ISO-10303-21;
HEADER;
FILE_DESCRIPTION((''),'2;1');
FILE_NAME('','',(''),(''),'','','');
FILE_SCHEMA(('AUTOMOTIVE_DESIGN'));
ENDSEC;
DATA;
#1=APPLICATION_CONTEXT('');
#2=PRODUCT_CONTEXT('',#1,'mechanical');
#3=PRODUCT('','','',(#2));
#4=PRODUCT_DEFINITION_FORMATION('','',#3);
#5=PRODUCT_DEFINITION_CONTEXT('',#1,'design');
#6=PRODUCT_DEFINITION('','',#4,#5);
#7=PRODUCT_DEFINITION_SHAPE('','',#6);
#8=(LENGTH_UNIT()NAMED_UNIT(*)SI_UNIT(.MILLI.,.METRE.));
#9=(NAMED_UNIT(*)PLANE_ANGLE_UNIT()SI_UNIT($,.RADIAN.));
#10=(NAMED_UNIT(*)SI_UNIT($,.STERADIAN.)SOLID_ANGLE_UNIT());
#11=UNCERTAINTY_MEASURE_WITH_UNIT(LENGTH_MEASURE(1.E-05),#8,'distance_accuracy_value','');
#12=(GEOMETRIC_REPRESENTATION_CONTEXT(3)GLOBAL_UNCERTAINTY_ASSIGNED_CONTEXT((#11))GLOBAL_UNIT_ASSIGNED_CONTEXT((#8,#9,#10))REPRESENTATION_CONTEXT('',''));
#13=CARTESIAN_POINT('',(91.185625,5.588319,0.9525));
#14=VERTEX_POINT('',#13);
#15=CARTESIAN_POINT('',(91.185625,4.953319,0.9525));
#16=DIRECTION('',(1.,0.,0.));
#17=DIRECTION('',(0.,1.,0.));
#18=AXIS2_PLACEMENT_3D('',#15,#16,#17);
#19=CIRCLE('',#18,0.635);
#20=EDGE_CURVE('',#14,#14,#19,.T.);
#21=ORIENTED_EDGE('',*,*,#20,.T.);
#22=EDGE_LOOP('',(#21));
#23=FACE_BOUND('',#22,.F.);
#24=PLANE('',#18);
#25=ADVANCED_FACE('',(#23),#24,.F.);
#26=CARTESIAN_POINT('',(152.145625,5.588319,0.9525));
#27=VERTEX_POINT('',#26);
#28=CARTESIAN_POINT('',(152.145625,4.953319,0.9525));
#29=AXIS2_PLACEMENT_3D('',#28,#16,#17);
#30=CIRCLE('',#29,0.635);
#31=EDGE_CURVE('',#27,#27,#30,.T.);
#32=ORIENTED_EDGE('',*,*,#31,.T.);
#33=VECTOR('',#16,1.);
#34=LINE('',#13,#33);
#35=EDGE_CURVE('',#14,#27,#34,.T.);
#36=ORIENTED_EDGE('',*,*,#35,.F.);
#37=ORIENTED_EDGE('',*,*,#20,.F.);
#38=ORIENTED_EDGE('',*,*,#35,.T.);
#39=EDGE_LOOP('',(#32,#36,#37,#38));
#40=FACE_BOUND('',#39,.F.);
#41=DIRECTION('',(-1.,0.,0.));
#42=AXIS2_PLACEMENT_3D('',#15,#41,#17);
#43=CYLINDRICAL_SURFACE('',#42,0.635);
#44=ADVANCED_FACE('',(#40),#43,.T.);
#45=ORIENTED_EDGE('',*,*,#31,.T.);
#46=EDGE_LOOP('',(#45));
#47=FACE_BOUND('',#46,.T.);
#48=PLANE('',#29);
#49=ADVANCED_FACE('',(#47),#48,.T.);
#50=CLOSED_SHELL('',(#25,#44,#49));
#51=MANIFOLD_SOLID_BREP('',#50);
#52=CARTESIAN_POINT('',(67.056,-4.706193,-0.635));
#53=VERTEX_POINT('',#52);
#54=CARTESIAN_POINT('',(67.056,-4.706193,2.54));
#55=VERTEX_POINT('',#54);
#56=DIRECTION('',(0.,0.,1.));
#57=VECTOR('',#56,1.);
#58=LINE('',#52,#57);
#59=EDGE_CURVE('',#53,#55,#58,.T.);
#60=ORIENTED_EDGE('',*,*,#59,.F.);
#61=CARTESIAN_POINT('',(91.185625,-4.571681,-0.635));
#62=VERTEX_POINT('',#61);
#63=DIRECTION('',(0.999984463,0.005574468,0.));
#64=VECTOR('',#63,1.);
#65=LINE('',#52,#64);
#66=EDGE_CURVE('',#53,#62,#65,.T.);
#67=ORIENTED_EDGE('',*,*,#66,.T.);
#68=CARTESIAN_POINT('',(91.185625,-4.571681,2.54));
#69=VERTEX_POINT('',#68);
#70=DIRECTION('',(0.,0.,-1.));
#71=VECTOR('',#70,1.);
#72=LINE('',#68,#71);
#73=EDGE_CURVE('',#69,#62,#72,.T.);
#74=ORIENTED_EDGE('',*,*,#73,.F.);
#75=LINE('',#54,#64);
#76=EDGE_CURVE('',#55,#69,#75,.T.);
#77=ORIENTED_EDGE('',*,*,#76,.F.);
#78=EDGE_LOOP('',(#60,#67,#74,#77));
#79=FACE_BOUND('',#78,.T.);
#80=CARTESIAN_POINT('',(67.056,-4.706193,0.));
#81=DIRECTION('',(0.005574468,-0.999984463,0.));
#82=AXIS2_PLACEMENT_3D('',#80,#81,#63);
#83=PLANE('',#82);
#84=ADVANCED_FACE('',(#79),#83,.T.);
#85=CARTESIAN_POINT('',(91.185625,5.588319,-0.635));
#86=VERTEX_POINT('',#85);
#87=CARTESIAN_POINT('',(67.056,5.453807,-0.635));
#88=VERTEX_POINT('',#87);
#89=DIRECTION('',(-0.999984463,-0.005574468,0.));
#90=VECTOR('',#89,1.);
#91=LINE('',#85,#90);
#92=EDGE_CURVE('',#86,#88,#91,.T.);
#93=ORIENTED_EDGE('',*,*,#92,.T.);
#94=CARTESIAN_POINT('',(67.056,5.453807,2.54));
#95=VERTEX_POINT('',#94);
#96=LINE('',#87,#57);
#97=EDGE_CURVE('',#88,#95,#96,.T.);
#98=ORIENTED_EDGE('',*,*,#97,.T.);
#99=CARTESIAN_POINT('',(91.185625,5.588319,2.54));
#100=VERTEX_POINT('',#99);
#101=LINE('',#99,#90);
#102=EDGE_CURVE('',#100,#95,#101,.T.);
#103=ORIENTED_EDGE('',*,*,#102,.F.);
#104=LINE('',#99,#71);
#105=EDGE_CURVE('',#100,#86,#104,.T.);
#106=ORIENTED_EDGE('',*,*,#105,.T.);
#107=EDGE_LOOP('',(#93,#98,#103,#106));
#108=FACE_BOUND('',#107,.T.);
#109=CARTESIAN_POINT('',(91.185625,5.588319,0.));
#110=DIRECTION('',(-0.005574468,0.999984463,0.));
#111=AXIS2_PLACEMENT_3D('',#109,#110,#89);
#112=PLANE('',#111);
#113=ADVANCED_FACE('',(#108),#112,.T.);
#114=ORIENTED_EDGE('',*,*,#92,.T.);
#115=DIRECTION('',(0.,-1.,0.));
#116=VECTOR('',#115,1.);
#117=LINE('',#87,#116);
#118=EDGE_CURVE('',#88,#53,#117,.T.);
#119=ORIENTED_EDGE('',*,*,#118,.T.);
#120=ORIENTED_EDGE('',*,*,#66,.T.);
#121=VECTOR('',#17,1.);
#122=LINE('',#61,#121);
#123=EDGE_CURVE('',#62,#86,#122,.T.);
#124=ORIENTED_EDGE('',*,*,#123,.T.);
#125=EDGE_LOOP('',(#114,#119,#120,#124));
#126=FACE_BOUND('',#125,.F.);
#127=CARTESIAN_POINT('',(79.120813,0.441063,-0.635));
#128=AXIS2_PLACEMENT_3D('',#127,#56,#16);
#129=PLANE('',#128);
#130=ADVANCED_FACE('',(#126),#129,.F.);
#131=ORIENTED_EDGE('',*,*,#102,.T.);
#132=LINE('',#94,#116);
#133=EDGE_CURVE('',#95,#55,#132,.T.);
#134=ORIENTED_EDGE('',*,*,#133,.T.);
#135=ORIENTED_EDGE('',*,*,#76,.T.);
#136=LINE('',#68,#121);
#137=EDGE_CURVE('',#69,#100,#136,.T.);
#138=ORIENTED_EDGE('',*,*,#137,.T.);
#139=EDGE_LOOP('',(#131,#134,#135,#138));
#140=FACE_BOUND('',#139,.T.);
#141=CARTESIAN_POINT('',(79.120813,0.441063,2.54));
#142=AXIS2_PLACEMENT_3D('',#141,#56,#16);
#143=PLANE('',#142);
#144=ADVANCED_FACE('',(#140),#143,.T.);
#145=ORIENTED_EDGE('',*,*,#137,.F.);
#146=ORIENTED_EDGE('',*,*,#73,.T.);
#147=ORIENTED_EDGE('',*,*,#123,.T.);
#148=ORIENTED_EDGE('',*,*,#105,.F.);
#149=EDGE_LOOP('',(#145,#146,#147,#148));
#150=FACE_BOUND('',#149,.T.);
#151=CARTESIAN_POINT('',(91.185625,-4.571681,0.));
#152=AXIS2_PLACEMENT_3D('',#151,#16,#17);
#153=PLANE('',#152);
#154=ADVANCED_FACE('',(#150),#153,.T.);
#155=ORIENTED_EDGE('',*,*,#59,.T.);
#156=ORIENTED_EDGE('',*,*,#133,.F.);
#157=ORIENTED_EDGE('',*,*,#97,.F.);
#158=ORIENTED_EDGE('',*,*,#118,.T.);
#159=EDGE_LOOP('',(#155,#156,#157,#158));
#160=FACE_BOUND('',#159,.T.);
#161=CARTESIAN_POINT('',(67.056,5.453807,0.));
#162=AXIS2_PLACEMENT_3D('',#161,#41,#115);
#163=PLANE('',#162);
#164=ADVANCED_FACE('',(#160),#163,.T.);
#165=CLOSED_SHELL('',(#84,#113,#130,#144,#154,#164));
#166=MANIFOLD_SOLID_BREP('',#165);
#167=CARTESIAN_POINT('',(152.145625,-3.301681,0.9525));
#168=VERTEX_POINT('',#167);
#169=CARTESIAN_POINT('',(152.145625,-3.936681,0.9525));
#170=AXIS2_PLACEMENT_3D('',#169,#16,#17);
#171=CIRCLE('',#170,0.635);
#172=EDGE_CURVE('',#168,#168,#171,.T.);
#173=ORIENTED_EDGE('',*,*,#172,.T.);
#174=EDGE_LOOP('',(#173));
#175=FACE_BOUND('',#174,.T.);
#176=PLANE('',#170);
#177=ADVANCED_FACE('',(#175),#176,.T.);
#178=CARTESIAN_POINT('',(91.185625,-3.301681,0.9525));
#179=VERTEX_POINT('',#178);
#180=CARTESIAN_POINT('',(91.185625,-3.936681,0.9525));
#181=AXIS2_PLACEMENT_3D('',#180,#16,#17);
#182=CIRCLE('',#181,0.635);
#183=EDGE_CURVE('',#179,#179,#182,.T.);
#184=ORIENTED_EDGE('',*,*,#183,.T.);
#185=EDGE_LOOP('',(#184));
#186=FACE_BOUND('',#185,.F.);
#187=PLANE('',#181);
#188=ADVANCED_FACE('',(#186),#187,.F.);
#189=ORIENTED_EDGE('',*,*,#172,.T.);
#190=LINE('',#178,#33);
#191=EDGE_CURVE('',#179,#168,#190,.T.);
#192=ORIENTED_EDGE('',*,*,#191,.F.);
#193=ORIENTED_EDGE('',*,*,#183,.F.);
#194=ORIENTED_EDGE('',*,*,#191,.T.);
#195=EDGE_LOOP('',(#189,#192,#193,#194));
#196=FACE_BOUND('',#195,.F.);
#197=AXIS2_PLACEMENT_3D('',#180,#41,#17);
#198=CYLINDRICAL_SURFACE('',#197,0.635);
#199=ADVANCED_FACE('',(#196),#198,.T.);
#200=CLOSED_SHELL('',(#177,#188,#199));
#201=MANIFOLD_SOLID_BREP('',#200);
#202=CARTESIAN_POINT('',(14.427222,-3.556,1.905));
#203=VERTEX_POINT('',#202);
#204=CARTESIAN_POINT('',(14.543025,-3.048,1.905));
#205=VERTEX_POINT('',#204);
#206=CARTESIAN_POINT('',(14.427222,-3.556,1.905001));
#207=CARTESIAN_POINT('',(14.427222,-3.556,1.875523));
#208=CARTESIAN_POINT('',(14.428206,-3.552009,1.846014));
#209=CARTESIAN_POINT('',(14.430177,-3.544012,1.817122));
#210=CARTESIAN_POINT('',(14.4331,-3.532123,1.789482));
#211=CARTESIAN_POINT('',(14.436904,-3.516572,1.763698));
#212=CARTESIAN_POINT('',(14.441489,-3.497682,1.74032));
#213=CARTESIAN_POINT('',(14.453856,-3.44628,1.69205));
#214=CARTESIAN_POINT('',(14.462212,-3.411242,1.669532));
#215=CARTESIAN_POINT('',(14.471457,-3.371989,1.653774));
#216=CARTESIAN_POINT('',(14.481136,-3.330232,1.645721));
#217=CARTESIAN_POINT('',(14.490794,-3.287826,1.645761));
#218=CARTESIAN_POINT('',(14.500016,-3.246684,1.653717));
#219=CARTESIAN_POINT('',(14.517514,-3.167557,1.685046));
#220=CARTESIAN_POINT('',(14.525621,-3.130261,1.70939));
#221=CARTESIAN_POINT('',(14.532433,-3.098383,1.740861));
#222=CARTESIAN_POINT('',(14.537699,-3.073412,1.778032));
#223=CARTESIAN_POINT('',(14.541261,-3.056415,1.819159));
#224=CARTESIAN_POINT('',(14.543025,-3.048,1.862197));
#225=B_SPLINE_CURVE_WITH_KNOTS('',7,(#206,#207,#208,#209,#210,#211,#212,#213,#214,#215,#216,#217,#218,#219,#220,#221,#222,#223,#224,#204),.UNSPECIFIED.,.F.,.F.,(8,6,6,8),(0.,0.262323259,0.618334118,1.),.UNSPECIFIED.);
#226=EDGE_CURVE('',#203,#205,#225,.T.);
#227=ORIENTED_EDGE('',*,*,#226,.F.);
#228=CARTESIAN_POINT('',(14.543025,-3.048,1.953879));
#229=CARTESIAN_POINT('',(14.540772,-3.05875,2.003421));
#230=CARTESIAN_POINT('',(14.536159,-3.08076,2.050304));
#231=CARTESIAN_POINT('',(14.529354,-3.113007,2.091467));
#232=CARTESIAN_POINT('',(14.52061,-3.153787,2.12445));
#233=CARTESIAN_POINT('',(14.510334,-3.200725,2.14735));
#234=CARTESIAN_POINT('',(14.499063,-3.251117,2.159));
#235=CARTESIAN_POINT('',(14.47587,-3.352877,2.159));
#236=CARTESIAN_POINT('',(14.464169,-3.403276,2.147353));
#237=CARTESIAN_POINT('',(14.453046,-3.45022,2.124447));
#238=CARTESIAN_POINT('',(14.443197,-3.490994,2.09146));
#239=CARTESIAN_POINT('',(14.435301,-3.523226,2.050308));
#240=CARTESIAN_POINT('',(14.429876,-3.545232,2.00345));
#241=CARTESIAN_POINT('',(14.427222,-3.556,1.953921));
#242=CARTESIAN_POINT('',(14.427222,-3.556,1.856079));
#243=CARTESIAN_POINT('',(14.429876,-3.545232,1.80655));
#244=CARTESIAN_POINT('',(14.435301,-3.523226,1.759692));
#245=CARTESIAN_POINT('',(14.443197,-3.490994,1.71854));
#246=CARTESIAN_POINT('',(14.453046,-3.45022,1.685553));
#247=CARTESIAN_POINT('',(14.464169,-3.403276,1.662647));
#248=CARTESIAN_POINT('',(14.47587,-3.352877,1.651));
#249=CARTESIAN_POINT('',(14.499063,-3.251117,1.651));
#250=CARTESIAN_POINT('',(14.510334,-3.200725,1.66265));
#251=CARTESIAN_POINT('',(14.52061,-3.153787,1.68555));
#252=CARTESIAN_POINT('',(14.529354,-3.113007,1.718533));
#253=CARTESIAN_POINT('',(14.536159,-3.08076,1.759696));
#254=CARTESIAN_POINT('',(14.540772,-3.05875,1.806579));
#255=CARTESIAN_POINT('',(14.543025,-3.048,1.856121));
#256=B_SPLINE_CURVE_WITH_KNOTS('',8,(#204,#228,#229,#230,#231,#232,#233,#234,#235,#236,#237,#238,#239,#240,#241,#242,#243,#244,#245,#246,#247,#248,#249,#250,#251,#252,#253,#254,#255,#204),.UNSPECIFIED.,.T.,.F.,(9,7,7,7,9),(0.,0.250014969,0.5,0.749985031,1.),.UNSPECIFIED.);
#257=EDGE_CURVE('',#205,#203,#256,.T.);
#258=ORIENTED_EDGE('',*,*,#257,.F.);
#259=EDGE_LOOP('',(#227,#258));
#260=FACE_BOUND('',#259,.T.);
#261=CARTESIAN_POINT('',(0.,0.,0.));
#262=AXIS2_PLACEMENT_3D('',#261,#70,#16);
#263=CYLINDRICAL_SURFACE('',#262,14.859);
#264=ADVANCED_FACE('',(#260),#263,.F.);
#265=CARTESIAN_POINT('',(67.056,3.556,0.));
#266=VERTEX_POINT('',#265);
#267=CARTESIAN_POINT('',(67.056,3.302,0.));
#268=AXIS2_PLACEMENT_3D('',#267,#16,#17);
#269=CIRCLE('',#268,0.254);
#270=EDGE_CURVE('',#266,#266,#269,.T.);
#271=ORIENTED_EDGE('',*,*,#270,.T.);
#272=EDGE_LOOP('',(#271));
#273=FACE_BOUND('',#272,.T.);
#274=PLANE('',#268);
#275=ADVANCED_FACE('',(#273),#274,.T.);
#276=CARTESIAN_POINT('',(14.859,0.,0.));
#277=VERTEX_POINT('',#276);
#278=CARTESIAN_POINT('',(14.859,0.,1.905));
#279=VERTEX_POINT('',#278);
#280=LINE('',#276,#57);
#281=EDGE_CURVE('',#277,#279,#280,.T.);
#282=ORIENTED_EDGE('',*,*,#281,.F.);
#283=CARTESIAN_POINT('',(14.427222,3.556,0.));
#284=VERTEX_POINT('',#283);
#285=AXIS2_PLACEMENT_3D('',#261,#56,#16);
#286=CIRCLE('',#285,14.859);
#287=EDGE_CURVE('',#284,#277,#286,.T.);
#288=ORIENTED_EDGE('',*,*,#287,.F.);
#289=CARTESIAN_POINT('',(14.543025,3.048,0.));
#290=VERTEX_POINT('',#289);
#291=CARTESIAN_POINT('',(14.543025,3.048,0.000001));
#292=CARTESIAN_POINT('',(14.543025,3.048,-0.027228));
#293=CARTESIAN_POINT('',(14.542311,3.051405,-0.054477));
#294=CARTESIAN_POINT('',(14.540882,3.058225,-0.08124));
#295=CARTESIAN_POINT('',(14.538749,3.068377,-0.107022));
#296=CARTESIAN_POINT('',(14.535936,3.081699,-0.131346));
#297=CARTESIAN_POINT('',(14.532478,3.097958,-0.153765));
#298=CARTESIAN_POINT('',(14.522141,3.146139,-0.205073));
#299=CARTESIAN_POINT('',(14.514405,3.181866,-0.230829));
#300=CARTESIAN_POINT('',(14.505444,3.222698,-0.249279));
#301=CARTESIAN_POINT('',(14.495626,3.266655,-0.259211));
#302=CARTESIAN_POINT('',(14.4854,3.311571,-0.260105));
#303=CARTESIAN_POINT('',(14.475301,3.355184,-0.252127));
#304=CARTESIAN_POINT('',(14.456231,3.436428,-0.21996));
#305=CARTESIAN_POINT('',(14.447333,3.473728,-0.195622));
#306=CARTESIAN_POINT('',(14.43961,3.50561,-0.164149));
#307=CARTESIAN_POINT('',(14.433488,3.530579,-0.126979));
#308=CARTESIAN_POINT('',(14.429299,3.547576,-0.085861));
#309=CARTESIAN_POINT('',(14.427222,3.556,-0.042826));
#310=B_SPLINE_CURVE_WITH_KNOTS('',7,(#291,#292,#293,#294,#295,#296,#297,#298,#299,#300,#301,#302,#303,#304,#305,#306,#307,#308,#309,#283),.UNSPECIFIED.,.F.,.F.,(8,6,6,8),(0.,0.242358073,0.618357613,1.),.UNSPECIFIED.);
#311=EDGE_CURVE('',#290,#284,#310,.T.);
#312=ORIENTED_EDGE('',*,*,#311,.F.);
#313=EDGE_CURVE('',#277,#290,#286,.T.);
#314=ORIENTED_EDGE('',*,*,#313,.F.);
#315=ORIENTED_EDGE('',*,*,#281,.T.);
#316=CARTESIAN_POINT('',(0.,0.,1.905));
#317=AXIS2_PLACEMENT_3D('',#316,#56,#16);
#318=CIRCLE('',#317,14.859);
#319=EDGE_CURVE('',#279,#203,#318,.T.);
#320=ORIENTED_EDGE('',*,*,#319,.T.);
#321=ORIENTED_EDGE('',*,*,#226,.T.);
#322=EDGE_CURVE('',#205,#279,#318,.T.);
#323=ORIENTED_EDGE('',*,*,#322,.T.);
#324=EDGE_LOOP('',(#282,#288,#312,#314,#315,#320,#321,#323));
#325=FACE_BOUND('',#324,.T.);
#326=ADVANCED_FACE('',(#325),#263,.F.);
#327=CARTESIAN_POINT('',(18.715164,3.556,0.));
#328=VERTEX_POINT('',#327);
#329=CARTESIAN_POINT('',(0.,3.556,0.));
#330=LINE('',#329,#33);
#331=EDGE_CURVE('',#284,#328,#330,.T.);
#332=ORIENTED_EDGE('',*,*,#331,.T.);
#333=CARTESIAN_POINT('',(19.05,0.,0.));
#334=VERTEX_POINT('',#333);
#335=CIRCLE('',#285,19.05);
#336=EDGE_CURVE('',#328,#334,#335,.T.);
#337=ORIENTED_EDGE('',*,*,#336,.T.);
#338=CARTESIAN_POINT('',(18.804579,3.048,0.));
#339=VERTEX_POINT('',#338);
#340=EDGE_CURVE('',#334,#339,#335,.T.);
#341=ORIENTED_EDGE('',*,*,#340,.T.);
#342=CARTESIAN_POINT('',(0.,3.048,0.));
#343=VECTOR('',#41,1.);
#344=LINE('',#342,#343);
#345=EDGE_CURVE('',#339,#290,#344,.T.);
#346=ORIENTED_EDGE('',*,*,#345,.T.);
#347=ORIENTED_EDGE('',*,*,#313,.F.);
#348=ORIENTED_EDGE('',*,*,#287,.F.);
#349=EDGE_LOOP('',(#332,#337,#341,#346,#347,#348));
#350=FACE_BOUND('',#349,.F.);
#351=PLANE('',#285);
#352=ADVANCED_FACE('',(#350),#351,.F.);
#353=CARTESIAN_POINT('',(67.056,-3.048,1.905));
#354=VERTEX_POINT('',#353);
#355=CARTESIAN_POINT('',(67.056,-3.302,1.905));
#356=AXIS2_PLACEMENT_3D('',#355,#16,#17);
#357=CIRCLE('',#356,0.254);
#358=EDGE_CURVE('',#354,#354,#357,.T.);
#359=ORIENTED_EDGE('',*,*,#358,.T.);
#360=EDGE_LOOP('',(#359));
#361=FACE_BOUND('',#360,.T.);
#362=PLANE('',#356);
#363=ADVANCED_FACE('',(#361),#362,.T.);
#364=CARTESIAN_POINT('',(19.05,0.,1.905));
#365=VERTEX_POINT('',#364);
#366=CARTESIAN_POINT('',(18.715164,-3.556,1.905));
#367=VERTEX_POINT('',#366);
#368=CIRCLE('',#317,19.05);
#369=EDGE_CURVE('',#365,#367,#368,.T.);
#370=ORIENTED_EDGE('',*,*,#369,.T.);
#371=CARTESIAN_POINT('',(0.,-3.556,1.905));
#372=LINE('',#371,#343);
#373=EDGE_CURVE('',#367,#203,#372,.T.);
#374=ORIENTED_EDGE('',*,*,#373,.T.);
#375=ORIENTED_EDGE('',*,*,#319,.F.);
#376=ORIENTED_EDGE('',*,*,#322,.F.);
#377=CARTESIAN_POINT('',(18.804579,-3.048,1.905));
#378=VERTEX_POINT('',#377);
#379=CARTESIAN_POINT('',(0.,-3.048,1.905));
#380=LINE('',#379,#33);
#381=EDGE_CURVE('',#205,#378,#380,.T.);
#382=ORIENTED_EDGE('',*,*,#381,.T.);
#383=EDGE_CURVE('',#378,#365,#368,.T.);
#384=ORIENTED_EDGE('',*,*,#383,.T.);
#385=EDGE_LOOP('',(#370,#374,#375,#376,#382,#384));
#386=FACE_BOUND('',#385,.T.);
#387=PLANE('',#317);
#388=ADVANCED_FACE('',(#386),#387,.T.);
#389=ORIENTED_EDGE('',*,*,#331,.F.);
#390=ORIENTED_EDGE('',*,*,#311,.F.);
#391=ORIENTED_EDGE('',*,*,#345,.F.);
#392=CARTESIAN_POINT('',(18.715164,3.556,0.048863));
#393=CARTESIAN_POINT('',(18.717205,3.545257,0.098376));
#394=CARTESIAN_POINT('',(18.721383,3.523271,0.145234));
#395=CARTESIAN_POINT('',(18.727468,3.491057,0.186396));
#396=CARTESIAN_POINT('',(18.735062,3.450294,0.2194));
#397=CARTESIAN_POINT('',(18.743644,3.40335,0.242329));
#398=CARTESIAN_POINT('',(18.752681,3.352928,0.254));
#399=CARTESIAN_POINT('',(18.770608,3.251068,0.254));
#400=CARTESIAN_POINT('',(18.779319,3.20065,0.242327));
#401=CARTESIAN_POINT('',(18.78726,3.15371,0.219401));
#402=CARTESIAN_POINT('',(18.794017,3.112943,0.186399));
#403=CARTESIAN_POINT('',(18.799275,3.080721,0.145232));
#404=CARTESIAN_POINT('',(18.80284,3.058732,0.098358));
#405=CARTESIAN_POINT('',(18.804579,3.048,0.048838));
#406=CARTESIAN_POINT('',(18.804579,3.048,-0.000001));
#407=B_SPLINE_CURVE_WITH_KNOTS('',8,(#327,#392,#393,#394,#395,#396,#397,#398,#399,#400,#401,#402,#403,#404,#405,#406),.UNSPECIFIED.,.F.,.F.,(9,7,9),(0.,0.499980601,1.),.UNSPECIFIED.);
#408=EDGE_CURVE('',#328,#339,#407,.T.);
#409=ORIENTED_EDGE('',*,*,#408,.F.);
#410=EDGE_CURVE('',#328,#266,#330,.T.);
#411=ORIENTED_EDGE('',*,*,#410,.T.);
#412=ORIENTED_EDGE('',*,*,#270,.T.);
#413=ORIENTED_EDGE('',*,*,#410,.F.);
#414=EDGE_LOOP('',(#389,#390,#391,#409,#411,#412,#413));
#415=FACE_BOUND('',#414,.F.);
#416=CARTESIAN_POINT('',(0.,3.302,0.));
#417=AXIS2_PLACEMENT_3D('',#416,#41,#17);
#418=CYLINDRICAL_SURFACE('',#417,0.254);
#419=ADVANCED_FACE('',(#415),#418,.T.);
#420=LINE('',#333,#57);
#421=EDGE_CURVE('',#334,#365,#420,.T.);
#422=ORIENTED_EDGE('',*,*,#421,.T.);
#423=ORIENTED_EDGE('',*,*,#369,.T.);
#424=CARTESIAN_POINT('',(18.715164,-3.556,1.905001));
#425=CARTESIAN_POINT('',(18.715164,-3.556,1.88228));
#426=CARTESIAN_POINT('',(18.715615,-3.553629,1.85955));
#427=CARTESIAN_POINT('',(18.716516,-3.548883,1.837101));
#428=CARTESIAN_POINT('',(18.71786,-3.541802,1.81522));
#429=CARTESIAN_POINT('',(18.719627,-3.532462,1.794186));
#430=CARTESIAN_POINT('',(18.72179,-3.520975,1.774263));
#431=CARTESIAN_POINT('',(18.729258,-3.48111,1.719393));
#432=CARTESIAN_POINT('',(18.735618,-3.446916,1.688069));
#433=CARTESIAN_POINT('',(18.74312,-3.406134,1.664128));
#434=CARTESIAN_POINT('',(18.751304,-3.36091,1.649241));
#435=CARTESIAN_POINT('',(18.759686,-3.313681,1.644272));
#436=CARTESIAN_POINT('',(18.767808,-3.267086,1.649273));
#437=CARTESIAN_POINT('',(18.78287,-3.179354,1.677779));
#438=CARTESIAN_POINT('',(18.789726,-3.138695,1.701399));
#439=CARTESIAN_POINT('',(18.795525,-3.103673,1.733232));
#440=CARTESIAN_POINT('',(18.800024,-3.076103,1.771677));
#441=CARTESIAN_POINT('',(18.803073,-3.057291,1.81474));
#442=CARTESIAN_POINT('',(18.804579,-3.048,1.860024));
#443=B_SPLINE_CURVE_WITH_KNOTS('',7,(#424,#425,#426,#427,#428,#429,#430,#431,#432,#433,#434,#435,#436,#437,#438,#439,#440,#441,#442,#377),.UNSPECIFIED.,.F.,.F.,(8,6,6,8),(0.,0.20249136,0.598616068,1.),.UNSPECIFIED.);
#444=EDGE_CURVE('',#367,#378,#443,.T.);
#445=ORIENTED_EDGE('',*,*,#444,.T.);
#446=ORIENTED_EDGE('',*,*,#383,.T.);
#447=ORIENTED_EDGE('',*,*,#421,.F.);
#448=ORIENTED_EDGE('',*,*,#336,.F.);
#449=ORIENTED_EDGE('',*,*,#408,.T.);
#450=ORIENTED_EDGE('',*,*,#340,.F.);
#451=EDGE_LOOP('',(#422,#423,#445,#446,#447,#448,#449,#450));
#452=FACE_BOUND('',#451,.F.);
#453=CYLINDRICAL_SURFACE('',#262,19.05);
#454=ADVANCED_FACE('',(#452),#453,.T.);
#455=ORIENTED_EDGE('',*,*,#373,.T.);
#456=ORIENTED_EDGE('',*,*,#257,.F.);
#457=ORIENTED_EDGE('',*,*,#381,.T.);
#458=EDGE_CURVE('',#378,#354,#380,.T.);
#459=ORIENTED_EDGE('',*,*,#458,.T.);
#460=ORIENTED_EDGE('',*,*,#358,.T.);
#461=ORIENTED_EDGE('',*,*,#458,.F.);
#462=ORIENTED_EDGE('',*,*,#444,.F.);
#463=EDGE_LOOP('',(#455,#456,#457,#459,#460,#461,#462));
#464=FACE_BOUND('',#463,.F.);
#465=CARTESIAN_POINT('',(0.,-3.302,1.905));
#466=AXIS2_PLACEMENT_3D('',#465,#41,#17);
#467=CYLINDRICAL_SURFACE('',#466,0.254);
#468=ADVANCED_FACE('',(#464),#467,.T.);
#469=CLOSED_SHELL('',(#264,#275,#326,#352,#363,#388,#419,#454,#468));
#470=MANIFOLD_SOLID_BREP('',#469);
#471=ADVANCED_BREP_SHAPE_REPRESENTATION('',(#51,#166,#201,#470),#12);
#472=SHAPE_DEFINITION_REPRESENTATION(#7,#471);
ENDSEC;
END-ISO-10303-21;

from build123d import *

# Parameters (mm, degrees)
F0_R          = 19.05
F0_R_2        = 14.859
F1_DEPTH      = 1.905
F2_R          = 0.254
F3_DEPTH      = 67.056
F4_DEPTH      = 67.056
F5_DEPTH      = 0.2550001
F5_DEPTH_BACK = 2.1600001
F7_DEPTH      = 2.54
F7_DEPTH_BACK = 0.635
F9_DEPTH      = 60.96
F10_R         = 0.635
F11_DEPTH     = 60.96


with BuildPart() as f1:
    # F0 (on Top) → F1 (new body)
    with BuildSketch(Plane.XY):
        Circle(F0_R)
        Circle(F0_R_2, mode=Mode.SUBTRACT)
    extrude(amount=F1_DEPTH)

    # F2 (on Right) → F3 (join)
    with BuildSketch(Plane.YZ):
        with Locations((-3.302, 1.905)):
            Circle(F2_R)
    extrude(amount=F3_DEPTH)

    # F2 (on Right) → F4 (join)
    with BuildSketch(Plane.YZ):
        with Locations((3.302, 0)):
            Circle(F2_R)
    extrude(amount=F4_DEPTH)

    # F0 (on Top) → F5 (cut, two sides)
    with BuildSketch(Plane.XY) as f5_sk:
        Circle(F0_R_2)
    extrude(amount=-F5_DEPTH, mode=Mode.SUBTRACT)
    extrude(f5_sk.sketch, amount=F5_DEPTH_BACK, mode=Mode.SUBTRACT)


with BuildPart() as f7:
    # F6 (on Top) → F7 (new body, two sides)
    with BuildSketch(Plane.XY) as f7_sk:
        Polygon((91.185625081, 5.588319203), (67.056, 5.4538073018), (67.056, -4.7061926982), (91.185625081, -4.571680797), align=None)
    extrude(amount=F7_DEPTH)
    extrude(f7_sk.sketch, amount=-F7_DEPTH_BACK)


with BuildPart() as f9:
    # F8 (on face) → F9 (new body)
    with BuildSketch(Plane.YZ.offset(91.185625081)):
        with BuildLine():
            ThreePointArc((-4.571680797, 0.9525), (-3.936680797, 0.3175), (-3.301680797, 0.9525))
            ThreePointArc((-3.301680797, 0.9525), (-3.936680797, 1.5875), (-4.571680797, 0.9525))
        make_face()
    extrude(amount=F9_DEPTH)


with BuildPart() as f11:
    # F10 (on face) → F11 (new body)
    with BuildSketch(Plane.YZ.offset(91.185625081)):
        with Locations((4.953319203, 0.9525)):
            Circle(F10_R)
    extrude(amount=F11_DEPTH)


solid = Compound([f1.part, f7.part, f9.part, f11.part])
